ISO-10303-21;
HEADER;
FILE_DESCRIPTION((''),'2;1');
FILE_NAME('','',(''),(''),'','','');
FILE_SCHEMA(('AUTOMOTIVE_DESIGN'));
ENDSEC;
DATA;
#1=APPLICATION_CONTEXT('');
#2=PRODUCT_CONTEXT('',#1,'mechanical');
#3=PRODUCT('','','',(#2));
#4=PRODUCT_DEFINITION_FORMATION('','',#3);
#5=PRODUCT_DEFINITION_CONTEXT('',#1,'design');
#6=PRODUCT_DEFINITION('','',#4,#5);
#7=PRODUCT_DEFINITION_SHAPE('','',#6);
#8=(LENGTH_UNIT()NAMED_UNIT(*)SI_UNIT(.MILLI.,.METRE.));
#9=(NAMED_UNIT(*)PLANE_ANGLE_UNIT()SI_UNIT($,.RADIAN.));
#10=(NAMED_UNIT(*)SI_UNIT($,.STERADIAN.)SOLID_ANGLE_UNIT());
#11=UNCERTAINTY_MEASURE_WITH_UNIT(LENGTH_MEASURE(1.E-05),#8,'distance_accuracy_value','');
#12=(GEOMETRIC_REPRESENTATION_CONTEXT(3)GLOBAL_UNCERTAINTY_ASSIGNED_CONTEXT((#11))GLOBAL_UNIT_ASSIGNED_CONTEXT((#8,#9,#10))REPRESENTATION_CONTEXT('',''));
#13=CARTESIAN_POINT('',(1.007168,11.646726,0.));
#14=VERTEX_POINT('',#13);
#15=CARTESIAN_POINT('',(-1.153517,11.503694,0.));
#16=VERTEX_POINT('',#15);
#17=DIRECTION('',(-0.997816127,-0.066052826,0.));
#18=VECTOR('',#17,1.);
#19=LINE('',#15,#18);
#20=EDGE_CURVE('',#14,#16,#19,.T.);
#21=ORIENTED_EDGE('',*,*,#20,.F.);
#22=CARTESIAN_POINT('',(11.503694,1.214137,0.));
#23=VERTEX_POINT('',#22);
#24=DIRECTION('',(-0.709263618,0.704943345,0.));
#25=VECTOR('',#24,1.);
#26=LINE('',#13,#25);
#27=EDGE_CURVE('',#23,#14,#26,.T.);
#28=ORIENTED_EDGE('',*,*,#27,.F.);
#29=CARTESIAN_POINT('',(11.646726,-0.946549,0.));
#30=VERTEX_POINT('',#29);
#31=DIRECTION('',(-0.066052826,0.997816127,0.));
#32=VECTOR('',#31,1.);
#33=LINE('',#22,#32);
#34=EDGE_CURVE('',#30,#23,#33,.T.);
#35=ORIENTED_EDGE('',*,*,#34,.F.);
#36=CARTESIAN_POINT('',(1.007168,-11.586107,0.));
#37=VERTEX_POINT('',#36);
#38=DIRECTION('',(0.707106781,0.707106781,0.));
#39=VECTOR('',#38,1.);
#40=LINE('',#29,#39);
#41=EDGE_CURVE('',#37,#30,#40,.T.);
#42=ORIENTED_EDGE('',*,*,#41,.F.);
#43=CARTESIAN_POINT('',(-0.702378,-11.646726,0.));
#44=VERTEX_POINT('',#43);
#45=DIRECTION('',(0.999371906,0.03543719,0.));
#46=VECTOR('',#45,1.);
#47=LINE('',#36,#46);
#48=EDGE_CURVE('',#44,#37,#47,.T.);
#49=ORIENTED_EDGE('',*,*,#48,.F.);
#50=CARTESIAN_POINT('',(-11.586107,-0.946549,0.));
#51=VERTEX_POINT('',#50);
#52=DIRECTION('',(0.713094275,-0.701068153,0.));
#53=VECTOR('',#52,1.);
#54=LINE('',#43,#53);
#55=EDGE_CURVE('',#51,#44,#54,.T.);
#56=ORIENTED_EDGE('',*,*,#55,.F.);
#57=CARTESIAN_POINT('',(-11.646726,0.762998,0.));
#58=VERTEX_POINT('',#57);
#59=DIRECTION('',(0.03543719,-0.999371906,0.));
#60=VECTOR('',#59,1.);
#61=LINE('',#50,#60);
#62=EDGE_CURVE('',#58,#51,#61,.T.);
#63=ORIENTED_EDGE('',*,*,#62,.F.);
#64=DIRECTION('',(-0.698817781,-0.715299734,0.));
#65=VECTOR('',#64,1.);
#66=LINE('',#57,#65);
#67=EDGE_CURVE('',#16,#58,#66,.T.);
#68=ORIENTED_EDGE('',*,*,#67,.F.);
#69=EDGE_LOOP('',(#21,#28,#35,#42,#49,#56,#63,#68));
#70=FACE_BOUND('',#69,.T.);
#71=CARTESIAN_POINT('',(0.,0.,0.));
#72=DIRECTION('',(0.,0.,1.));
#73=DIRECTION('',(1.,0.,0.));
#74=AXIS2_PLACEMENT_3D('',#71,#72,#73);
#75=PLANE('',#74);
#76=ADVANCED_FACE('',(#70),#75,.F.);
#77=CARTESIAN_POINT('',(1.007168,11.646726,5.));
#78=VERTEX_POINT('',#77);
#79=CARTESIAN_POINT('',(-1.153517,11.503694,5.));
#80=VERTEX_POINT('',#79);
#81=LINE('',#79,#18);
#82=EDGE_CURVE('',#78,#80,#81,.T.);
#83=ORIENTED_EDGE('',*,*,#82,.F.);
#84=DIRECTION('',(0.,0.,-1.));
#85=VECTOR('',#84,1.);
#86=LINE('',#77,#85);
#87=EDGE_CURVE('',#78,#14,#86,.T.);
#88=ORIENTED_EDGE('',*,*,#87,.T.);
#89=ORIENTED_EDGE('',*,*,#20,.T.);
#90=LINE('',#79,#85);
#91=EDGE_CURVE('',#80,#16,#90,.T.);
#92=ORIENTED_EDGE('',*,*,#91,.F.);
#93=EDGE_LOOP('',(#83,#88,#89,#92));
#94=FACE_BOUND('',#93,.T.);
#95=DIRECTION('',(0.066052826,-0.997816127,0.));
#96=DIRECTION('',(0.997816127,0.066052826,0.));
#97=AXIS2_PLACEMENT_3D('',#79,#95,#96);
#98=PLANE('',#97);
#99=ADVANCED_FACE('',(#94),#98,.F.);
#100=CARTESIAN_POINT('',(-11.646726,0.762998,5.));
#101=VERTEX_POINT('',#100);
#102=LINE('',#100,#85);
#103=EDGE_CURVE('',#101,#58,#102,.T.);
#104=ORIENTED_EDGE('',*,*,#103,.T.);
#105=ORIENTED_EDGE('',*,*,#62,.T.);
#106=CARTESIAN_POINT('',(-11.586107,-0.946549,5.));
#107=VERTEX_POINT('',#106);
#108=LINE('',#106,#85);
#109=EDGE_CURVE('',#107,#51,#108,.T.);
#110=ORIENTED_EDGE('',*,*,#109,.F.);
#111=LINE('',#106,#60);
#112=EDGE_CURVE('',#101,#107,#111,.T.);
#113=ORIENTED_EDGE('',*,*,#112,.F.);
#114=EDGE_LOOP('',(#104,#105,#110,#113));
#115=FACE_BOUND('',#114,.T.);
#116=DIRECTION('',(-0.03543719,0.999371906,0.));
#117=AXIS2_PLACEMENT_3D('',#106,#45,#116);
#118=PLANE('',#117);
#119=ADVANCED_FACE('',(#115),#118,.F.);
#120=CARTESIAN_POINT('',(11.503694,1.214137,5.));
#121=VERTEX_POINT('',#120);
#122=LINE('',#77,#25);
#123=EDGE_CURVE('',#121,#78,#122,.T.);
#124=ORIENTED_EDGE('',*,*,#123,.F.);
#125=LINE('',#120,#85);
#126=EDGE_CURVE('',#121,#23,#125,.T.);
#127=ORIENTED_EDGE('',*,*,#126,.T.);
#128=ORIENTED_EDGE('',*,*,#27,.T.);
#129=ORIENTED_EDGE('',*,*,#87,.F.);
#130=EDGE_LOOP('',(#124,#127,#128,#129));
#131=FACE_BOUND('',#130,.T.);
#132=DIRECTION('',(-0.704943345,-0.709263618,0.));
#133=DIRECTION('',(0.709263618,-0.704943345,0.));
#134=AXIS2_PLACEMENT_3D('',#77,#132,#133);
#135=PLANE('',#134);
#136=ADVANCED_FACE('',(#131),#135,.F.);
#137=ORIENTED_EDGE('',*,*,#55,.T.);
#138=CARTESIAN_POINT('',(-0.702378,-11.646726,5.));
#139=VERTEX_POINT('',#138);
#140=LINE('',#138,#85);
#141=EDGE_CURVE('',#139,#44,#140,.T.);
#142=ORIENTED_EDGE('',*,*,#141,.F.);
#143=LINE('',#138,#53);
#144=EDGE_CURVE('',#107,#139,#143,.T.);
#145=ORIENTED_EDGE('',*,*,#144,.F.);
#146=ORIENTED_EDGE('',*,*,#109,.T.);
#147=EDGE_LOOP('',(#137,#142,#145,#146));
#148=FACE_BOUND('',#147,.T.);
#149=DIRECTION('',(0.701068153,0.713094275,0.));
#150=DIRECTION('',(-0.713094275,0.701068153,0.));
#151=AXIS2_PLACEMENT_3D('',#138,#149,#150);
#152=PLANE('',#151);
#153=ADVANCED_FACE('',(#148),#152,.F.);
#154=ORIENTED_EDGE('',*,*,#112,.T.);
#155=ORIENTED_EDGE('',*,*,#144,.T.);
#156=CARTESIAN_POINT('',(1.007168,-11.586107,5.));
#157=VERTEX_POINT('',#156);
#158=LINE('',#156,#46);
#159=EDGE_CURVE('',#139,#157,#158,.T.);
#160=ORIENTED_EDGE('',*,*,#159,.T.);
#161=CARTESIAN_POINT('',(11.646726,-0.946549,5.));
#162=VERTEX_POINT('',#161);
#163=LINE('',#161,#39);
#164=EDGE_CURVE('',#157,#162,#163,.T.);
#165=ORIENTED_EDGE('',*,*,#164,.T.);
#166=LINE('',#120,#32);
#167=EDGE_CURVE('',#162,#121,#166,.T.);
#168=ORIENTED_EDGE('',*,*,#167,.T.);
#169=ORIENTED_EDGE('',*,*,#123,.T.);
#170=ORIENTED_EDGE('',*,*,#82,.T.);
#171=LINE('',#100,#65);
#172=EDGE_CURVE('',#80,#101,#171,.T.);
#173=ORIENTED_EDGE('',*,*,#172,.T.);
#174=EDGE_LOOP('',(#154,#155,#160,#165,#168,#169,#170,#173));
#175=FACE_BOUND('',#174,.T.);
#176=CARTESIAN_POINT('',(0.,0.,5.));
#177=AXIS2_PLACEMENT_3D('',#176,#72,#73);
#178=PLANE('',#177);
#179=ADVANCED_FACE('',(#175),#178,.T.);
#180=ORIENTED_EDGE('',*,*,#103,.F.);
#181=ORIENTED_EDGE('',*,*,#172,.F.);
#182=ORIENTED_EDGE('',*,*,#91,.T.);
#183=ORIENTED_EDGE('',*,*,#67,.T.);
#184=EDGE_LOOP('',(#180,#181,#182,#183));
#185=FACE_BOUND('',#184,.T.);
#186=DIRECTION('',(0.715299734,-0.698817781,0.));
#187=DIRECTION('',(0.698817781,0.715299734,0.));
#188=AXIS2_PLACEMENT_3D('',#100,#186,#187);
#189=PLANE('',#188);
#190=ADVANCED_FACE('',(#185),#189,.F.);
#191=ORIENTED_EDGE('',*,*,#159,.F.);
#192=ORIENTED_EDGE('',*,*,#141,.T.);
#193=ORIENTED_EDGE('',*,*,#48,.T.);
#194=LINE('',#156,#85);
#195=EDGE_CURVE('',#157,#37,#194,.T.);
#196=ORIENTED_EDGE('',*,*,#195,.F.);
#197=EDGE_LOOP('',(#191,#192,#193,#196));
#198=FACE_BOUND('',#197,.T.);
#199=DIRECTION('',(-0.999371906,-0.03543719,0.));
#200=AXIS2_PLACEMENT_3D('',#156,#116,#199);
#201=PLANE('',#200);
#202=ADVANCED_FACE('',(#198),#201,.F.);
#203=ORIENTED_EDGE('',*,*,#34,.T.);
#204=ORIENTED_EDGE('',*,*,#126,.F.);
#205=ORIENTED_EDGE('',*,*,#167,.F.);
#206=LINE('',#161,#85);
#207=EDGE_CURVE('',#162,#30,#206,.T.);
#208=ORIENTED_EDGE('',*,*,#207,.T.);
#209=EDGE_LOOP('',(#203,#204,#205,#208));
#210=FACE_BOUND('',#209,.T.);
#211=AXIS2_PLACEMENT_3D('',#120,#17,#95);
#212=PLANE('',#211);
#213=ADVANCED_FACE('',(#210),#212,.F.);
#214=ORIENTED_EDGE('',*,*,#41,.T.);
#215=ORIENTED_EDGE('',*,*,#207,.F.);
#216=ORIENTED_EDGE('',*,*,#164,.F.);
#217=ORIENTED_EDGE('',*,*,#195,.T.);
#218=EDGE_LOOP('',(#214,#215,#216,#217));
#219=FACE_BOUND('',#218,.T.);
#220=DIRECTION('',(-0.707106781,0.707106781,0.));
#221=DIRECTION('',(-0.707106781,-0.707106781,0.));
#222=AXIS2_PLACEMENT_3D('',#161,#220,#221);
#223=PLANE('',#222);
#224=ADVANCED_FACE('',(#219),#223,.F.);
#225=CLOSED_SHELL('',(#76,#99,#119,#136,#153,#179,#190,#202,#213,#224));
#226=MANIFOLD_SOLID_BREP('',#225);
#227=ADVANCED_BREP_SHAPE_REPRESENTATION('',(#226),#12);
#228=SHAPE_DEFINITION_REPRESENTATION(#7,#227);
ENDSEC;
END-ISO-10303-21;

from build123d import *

# Parameters (mm, degrees)
BOSS_EXTRUDE1_DEPTH = 5


with BuildPart() as part:
    # Sketch1 → Boss-Extrude1 (new body)
    with BuildSketch(Plane.XY):
        Polygon((-11.646726132, 0.762997878), (-1.153516984, 11.503694399), (1.007168318, 11.646726132), (11.503694399, 1.214136586), (11.646726132, -0.946548716), (1.007168318, -11.58610653), (-0.702378276, -11.646726132), (-11.58610653, -0.946548716), align=None)
    extrude(amount=BOSS_EXTRUDE1_DEPTH)


solid = part.part
